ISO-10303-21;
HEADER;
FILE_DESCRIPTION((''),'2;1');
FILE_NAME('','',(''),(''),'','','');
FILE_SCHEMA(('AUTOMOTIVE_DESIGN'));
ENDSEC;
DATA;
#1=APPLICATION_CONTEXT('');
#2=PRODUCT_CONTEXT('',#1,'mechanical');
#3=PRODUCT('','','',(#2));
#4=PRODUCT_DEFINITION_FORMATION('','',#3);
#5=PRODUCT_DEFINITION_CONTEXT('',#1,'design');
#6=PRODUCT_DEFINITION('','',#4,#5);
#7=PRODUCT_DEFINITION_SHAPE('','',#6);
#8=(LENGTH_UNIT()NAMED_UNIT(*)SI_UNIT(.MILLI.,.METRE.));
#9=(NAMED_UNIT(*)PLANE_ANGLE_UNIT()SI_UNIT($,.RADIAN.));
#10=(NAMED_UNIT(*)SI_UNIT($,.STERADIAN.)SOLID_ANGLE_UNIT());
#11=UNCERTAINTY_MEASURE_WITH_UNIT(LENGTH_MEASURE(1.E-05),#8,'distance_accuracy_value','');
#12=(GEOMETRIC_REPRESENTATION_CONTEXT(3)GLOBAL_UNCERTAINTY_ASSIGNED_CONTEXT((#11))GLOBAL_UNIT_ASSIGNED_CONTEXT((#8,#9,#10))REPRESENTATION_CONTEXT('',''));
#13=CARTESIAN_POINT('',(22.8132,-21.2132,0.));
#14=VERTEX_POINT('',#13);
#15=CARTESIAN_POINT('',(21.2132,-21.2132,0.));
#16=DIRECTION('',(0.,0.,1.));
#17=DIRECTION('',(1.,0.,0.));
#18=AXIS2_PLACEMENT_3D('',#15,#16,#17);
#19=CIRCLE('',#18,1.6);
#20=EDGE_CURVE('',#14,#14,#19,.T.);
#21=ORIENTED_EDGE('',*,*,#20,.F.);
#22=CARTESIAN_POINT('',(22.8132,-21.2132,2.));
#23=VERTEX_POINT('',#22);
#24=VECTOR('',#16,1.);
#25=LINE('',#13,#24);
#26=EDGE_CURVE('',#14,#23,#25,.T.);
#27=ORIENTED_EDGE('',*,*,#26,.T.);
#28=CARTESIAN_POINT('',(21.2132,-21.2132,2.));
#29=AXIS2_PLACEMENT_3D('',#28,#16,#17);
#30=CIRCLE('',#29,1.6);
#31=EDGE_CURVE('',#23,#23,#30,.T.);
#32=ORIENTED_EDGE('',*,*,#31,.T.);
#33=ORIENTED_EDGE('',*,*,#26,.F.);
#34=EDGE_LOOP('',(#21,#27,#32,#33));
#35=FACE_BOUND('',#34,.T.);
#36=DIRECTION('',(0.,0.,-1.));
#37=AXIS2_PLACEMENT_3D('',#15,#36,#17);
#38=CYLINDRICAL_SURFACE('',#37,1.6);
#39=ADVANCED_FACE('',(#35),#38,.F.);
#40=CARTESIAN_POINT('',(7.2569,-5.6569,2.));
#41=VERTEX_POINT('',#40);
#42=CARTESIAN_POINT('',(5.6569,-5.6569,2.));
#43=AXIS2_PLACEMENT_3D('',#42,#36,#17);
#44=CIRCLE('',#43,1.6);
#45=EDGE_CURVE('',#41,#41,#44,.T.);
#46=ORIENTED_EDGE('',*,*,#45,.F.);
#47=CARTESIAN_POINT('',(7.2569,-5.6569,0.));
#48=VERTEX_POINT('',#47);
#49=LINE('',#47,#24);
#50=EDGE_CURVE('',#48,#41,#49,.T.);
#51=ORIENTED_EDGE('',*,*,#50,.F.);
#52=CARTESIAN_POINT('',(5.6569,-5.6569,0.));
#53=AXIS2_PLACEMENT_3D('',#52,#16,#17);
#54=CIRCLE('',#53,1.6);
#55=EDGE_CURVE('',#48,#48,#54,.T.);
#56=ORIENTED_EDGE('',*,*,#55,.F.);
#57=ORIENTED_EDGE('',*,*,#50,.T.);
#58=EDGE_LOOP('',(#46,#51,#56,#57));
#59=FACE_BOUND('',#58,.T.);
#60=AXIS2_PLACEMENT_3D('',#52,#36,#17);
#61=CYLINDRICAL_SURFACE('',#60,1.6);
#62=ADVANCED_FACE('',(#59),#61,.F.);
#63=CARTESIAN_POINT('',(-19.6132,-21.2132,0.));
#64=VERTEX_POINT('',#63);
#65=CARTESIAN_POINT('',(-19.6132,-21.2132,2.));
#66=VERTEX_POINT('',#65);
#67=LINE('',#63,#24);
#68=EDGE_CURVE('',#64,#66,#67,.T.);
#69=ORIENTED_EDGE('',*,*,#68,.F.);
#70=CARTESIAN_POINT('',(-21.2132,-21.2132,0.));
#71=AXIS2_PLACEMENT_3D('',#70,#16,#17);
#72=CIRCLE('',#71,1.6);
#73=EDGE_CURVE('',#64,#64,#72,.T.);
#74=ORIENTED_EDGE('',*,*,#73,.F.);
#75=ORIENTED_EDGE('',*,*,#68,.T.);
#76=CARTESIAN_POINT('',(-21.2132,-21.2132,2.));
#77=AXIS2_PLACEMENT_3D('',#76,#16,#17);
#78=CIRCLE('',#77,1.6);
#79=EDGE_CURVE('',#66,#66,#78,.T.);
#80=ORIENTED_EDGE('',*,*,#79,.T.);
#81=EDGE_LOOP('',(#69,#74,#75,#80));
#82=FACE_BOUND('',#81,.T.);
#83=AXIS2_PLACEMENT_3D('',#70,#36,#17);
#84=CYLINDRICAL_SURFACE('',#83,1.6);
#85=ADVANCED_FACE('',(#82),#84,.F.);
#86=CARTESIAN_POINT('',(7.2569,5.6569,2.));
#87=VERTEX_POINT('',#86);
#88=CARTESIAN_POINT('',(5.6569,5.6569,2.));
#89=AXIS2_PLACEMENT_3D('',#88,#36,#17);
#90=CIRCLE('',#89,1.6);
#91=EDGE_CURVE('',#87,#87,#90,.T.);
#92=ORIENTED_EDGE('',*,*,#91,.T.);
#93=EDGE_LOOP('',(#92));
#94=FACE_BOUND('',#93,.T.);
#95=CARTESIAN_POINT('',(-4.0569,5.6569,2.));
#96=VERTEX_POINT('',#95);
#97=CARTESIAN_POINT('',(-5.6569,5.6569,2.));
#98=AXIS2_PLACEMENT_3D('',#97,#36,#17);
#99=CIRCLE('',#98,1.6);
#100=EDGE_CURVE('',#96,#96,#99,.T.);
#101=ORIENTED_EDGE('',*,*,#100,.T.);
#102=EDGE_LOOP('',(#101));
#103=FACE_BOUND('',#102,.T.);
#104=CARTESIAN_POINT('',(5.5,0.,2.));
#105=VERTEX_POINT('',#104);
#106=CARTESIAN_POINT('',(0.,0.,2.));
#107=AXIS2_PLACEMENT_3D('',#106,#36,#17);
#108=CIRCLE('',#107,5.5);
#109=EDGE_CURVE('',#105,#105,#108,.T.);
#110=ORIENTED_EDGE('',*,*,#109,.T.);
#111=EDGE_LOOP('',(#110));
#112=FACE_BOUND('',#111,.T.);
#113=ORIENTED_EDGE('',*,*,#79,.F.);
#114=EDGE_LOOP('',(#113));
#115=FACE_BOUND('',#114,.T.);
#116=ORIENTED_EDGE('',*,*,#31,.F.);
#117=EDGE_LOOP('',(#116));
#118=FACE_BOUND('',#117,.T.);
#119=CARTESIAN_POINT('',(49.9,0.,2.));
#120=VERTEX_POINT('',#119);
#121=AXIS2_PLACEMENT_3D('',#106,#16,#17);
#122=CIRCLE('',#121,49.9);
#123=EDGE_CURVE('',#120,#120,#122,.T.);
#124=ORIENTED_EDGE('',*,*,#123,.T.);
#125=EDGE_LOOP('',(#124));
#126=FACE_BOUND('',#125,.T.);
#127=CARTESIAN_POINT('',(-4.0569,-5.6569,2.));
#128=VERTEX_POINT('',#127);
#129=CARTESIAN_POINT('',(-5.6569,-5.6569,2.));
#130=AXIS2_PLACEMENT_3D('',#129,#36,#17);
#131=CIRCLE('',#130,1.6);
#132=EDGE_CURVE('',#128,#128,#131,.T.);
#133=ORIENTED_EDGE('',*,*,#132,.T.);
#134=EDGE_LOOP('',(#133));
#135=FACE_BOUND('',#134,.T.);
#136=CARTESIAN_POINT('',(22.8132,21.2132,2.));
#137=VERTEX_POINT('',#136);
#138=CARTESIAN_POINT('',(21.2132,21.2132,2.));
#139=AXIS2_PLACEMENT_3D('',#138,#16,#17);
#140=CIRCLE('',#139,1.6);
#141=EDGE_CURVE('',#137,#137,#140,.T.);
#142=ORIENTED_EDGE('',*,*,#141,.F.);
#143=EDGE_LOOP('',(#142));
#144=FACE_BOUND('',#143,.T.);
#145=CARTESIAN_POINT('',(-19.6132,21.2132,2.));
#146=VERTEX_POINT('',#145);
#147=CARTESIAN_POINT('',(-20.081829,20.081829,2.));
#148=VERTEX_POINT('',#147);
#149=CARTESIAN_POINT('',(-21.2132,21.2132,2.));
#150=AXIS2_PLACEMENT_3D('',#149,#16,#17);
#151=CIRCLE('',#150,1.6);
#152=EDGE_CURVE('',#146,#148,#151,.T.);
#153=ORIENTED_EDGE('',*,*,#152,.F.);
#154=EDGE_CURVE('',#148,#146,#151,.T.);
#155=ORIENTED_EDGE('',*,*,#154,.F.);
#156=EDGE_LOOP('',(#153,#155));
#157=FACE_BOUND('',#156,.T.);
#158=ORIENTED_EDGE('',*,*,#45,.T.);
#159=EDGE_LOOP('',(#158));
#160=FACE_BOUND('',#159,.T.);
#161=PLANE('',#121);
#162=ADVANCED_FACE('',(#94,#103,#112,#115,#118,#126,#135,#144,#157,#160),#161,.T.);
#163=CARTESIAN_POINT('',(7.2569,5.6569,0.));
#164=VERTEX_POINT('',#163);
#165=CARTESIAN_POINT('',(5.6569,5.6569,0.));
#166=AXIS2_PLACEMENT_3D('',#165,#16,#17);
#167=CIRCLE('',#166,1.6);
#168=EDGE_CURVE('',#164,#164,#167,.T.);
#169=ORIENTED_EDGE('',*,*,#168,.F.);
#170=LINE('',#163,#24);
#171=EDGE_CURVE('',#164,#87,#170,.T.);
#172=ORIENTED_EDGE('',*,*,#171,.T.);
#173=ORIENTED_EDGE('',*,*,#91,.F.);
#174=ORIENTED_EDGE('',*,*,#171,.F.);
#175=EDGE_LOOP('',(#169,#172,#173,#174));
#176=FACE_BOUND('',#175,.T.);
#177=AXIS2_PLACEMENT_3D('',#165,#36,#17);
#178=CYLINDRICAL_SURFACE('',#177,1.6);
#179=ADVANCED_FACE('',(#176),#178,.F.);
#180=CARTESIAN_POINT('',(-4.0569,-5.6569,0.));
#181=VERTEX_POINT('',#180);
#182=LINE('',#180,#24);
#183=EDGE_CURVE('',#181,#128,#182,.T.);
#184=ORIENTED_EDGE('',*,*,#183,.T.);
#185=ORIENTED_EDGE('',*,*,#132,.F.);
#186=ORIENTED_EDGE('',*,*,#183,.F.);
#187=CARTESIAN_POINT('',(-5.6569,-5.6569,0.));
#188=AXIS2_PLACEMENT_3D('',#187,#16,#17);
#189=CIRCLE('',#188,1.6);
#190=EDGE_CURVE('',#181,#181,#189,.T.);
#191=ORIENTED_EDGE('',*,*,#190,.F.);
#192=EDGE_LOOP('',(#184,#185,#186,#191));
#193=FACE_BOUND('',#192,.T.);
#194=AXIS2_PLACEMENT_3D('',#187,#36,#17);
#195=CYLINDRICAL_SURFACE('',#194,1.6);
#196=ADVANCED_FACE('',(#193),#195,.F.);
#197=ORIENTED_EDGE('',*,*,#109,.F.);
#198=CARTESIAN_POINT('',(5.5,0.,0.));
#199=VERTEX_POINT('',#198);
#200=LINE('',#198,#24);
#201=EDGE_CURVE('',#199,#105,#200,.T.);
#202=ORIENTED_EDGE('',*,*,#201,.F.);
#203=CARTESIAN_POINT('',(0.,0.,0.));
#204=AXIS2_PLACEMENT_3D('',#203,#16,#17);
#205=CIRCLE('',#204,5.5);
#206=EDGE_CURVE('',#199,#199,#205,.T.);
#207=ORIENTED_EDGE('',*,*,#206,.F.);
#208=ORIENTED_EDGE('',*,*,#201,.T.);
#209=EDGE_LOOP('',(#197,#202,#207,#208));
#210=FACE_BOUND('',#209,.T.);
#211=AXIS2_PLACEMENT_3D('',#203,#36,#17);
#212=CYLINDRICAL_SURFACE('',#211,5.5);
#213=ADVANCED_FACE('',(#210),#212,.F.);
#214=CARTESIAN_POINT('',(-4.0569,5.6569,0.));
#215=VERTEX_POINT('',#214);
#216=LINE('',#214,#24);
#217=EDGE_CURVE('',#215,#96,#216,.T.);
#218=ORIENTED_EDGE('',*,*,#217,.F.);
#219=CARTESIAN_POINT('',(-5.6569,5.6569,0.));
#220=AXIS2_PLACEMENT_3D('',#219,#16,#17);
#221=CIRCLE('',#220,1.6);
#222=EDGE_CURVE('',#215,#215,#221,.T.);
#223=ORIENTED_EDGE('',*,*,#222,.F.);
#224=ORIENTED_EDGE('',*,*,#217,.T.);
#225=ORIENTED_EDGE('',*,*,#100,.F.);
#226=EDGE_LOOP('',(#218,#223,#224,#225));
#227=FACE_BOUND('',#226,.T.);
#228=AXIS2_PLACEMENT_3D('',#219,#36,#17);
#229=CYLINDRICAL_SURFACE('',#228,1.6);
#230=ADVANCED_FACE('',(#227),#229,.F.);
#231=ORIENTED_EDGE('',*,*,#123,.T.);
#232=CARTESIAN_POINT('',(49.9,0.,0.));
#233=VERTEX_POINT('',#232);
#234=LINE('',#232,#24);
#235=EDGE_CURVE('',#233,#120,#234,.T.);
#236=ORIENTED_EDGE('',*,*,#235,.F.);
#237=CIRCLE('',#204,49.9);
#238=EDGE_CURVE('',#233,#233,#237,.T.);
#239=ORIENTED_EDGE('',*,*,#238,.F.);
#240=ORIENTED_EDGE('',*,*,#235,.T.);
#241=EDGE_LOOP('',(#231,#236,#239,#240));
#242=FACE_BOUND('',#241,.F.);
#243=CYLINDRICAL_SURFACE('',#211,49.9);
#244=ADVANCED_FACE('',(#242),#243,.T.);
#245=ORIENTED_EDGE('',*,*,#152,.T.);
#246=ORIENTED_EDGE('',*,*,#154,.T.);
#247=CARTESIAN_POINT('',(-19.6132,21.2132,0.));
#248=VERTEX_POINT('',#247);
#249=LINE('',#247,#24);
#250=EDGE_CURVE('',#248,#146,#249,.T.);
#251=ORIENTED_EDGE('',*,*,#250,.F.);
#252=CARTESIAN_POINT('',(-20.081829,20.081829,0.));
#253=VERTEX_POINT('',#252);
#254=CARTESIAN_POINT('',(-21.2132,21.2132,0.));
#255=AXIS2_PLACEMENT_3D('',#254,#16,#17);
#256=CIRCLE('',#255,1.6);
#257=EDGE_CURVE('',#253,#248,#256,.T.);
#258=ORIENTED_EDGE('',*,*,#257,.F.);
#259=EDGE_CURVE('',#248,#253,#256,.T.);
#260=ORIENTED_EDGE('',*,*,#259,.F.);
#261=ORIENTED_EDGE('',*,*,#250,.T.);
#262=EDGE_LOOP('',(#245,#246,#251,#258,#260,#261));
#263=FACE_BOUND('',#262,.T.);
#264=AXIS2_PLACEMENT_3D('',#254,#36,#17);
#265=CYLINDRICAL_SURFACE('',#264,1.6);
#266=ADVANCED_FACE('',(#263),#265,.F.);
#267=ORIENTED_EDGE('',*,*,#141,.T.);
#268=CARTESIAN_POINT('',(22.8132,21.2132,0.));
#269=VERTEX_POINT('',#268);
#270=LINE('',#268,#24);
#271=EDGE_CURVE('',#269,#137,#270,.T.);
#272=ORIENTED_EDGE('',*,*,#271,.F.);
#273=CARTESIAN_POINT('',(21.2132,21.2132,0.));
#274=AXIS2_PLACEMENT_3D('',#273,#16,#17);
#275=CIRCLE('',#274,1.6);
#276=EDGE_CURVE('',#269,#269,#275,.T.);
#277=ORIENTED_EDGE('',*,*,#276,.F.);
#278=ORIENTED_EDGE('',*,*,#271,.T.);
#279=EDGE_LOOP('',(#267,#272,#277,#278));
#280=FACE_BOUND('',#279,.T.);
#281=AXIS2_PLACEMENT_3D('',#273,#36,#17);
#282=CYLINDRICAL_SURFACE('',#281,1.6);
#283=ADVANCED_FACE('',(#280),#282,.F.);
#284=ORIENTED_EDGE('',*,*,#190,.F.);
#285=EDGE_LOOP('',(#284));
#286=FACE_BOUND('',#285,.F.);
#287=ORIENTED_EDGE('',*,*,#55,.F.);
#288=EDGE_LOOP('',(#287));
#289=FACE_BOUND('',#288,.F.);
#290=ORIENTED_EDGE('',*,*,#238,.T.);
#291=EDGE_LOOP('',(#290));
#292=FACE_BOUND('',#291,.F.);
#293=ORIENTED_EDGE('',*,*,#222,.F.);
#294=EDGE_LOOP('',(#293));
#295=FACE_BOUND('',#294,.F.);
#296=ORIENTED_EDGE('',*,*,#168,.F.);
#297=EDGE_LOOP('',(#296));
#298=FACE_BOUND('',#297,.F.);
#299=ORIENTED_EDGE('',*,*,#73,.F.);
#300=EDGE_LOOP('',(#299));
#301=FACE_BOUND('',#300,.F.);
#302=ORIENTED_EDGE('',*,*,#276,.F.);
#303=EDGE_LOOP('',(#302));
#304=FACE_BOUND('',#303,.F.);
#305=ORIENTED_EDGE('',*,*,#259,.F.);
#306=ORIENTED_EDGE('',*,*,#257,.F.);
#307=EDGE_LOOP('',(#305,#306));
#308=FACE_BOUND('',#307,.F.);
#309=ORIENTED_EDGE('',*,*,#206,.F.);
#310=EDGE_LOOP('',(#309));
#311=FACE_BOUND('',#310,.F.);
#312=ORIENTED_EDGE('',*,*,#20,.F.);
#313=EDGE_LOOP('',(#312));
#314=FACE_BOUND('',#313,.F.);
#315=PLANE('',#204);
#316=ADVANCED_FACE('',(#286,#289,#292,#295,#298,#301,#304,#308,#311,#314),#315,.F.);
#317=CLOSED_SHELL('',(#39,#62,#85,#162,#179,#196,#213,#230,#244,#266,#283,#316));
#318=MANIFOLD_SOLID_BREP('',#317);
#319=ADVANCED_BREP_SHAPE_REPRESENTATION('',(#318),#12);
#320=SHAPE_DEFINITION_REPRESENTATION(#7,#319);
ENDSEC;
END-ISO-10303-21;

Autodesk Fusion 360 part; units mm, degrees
sketch "Sketch1" plane through (0, 0, 0) normal (0, 0, 1) x (1, 0, 0)
  circle A0 centre (0, 0) radius 49.9
  circle A1 centre (-21.2132, 21.2132) radius 1.6
  line L0 (-21.2132, 21.2132) -> (0, 0)
  line L1 (0, 0) -> (-35.3413, 0)
  circle A2 centre (-21.2132, -21.2132) radius 1.6
  circle A3 centre (21.2132, -21.2132) radius 1.6
  circle A4 centre (21.2132, 21.2132) radius 1.6
  circle A5 centre (-5.6569, 5.6569) radius 1.6
  circle A6 centre (-5.6569, -5.6569) radius 1.6
  circle A7 centre (5.6569, -5.6569) radius 1.6
  circle A8 centre (5.6569, 5.6569) radius 1.6
  circle A9 centre (0, 0) radius 11.5
  circle A10 centre (0, 0) radius 5.5
  dimension "d1" = 99.8
  dimension "d2" = 3.2
  dimension "d3" = 45
  dimension "d4" = 30
  dimension "d6" = 360
  dimension "d7" = 3.2
  dimension "d8" = 8
  dimension "d9" = 23
  dimension "d14" = 11
extrude "Extrude1" add sketch "Sketch1" along normal blind 2 contours A0 | L0 L1 A5 A9 A10 | L0 L1 A5 A9 A10 | L0 A5 | L0 A5 | L0 L1 A10 | L0 L1 A10 | A6 | A7 | A8
extrude "Extrude3" cut sketch "Sketch1" along normal blind 35 contours L0 A5 | L0 A5 | L0 L1 A10 | L0 L1 A10 | A6 | A7 | A8
